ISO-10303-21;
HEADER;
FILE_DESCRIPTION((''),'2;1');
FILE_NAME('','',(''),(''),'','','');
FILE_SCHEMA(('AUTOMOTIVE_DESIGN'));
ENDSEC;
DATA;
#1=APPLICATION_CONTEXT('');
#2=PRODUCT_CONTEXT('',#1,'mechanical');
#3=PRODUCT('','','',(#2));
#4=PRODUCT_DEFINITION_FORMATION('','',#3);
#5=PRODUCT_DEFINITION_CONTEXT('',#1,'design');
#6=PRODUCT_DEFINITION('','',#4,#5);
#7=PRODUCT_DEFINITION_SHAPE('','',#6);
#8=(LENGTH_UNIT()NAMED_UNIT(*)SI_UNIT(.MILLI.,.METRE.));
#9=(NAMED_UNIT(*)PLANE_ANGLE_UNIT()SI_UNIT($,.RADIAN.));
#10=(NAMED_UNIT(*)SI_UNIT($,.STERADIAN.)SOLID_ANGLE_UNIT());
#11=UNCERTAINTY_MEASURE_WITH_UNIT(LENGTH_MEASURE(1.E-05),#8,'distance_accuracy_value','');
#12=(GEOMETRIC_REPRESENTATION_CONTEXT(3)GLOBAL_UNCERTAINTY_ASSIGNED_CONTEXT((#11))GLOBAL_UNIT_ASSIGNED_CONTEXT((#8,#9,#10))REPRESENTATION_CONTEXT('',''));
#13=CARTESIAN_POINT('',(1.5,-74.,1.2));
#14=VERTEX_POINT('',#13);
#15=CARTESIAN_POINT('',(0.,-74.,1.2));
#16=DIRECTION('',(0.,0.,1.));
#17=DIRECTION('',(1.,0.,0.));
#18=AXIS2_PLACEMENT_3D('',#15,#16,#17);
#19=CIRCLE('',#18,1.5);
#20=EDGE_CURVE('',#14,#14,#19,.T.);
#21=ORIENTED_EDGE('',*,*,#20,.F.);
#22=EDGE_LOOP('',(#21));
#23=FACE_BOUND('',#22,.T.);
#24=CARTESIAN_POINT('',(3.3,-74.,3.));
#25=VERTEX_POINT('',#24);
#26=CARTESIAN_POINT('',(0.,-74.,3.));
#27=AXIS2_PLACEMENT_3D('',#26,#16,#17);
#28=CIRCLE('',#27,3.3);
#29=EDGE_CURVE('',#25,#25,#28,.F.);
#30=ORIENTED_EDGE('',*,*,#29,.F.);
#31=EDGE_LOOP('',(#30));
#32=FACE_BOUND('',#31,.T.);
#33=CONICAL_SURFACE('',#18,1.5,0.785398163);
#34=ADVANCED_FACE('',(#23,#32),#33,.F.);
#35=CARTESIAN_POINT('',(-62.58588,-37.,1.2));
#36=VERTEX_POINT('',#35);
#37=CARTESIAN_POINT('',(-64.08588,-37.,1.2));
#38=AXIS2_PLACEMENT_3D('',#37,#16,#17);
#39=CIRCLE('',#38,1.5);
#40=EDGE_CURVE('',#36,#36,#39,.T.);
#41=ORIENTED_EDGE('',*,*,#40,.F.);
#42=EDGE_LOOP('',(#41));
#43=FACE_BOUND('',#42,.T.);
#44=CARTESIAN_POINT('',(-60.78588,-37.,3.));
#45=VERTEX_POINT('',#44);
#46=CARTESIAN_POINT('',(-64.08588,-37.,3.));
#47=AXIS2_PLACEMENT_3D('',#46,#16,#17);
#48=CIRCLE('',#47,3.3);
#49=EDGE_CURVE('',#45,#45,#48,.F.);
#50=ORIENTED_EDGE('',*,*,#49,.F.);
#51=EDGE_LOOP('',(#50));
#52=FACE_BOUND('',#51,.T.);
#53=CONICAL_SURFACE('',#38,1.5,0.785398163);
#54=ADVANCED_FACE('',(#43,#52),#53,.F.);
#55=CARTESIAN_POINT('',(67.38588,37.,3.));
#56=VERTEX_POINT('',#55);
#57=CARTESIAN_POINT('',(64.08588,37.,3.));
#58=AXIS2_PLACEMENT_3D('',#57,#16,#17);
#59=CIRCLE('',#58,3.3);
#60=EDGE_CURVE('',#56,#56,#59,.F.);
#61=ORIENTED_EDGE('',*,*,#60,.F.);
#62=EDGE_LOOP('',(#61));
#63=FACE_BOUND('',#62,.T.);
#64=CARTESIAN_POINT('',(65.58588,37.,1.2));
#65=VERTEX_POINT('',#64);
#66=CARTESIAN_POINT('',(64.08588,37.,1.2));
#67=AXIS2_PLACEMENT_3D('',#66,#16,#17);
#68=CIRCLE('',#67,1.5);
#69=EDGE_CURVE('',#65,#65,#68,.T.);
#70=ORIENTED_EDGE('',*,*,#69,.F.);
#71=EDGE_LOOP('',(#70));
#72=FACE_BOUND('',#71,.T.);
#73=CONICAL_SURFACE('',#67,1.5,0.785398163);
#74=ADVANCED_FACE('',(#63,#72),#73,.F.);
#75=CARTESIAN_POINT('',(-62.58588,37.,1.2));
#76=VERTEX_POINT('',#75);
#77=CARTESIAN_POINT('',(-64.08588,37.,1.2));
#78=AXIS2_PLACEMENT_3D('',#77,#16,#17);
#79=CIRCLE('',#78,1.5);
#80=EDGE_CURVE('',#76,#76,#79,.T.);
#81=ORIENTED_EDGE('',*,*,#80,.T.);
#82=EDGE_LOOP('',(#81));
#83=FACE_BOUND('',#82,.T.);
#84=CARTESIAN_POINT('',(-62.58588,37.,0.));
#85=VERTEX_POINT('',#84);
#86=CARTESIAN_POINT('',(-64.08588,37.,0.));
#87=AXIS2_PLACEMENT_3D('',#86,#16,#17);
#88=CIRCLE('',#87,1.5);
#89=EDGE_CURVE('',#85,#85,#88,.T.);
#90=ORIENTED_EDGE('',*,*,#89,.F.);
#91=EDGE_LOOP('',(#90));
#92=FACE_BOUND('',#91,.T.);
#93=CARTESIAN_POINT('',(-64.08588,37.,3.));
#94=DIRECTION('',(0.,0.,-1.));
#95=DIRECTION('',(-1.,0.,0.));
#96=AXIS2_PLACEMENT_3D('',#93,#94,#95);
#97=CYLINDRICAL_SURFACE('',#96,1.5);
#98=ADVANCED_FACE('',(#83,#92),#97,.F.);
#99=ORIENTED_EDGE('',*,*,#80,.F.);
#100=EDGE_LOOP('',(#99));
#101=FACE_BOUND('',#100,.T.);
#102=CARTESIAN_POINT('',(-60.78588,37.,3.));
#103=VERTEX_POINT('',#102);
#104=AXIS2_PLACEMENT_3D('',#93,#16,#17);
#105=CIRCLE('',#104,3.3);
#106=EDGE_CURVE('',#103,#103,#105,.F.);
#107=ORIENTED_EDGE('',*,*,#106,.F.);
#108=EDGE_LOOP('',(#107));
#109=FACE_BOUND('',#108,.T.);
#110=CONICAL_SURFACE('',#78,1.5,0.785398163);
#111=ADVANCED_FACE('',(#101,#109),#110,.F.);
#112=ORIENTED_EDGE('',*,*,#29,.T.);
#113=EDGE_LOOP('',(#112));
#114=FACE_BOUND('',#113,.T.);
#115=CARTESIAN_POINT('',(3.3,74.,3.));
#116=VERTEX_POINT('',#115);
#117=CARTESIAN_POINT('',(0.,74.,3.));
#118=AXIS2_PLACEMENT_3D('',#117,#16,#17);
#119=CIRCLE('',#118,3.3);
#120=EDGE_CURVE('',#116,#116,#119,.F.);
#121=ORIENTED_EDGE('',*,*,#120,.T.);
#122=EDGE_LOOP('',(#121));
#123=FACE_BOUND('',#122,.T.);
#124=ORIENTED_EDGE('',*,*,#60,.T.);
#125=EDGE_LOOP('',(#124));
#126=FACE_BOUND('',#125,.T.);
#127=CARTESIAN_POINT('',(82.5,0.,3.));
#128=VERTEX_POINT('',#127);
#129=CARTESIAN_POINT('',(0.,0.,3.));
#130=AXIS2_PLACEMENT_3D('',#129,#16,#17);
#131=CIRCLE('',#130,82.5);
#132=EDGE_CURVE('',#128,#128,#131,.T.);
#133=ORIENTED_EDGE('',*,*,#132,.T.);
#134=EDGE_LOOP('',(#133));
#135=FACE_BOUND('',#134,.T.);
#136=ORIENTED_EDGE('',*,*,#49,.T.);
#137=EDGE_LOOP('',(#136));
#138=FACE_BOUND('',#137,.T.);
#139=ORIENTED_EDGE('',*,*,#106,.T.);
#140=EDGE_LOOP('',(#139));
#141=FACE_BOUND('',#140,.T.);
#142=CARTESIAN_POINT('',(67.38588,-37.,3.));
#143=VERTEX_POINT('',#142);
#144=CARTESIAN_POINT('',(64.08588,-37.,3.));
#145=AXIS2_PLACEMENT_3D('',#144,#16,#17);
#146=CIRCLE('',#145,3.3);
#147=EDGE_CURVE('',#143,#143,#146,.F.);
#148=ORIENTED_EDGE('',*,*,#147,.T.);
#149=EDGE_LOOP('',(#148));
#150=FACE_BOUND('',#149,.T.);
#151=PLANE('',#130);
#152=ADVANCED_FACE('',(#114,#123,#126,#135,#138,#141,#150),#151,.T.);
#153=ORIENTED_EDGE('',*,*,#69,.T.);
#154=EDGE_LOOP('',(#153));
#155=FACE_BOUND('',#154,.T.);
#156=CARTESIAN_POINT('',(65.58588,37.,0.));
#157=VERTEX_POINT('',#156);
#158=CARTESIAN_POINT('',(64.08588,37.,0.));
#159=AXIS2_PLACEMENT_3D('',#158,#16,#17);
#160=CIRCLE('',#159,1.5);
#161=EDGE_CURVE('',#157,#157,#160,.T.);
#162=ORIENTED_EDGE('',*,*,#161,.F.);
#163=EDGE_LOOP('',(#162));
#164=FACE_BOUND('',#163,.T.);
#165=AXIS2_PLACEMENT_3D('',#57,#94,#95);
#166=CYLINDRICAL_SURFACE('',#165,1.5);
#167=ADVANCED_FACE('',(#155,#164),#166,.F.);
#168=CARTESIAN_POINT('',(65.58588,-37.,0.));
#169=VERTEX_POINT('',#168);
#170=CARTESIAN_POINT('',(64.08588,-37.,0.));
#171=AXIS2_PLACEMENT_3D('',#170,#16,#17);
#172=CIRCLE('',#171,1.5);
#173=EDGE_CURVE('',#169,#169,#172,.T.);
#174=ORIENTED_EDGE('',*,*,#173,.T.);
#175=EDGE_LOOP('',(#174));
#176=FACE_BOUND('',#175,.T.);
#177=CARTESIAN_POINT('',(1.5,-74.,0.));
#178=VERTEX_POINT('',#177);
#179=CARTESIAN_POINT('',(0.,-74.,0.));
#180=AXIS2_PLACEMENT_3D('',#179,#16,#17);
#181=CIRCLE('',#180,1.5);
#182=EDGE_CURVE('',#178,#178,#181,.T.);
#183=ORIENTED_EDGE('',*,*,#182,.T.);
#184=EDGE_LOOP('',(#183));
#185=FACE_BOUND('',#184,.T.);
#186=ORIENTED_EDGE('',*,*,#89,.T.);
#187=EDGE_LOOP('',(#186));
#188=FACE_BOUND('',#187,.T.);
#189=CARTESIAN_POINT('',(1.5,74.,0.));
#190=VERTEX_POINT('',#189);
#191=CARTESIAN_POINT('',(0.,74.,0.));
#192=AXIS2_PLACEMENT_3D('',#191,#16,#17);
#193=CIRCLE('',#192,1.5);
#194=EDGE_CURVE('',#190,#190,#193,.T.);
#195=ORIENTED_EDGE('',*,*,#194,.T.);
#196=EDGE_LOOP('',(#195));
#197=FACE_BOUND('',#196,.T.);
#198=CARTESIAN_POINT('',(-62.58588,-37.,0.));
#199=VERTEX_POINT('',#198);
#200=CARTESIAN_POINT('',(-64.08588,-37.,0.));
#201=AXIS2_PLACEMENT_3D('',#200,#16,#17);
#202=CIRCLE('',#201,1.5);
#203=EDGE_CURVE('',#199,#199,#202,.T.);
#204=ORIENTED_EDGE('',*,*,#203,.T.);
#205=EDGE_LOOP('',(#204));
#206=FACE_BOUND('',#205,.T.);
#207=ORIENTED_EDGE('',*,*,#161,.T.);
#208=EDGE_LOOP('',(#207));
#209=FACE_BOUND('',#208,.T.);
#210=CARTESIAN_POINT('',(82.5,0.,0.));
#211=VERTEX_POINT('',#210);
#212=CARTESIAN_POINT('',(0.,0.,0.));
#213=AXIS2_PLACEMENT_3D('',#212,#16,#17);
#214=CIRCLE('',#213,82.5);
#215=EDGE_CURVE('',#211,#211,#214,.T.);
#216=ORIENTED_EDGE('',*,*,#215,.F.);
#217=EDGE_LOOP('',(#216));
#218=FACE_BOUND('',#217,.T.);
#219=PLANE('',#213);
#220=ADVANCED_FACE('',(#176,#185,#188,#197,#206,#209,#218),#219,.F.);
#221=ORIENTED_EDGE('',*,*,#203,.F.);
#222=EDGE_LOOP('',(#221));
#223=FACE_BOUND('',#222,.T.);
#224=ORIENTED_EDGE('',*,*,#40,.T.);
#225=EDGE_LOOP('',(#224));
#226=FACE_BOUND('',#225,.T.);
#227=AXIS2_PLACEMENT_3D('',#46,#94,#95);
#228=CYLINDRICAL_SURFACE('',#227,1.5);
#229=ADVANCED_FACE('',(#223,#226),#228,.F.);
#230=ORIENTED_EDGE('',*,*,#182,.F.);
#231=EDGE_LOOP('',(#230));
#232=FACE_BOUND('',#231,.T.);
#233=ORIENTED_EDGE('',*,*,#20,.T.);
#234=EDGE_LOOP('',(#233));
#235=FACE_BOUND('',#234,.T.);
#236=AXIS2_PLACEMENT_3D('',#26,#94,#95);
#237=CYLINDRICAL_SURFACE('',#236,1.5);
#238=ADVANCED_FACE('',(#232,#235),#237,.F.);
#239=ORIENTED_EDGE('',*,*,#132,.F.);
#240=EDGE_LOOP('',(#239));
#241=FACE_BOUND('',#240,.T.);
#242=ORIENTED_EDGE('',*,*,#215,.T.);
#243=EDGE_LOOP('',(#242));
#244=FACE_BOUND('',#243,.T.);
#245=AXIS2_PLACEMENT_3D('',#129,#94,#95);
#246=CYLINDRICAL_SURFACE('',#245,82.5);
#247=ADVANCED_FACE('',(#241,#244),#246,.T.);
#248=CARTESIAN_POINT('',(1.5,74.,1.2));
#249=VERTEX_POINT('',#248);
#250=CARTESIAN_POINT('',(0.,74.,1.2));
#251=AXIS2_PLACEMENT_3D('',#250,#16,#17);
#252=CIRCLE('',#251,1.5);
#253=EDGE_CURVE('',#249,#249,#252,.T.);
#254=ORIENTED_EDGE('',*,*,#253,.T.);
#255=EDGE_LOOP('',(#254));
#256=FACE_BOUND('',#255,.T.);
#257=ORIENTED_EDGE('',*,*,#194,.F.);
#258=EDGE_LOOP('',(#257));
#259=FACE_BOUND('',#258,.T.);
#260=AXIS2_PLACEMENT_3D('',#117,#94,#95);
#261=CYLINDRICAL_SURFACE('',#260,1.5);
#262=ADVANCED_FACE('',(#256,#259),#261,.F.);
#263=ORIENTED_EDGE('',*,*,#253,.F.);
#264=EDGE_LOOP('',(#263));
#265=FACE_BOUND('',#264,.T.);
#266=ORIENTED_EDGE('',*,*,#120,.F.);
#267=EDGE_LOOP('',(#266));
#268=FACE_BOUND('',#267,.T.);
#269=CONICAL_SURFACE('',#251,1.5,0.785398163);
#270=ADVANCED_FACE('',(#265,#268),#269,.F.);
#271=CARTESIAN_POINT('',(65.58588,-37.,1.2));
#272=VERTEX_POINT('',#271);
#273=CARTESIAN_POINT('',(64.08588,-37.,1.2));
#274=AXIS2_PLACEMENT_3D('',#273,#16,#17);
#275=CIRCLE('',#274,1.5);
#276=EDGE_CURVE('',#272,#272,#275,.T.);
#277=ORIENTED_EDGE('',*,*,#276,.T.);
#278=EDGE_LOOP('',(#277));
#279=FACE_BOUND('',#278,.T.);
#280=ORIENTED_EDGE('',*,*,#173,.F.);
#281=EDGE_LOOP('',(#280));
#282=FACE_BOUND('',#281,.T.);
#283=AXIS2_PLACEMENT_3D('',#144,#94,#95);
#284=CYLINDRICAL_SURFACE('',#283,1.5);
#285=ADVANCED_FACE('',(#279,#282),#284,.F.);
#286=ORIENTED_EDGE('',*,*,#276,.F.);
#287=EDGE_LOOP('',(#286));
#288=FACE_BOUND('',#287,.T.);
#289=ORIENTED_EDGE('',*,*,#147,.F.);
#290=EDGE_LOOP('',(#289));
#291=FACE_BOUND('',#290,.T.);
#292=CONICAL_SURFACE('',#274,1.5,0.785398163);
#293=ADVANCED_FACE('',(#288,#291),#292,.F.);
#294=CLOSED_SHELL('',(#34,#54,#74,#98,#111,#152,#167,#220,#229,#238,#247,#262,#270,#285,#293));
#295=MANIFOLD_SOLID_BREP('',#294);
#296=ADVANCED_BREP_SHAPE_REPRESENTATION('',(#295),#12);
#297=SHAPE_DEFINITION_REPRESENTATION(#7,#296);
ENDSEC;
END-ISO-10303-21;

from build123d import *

# Parameters (mm, degrees)
SKETCH1_R           = 82.5
SKETCH1_R_2         = 1.5
BOSS_EXTRUDE1_DEPTH = 3
CHAMFER1_SIZE       = 1.8


with BuildPart() as part:
    # Sketch1 → Boss-Extrude1 (new body)
    with BuildSketch(Plane.XY):
        Circle(SKETCH1_R)
        with Locations((0, 74)):
            Circle(SKETCH1_R_2, mode=Mode.SUBTRACT)
        with Locations((0, -74)):
            Circle(SKETCH1_R_2, mode=Mode.SUBTRACT)
        with Locations((64.08587988, 37)):
            Circle(SKETCH1_R_2, mode=Mode.SUBTRACT)
        with Locations((64.08587988, -37)):
            Circle(SKETCH1_R_2, mode=Mode.SUBTRACT)
        with Locations((-64.08587988, -37)):
            Circle(SKETCH1_R_2, mode=Mode.SUBTRACT)
        with Locations((-64.08587988, 37)):
            Circle(SKETCH1_R_2, mode=Mode.SUBTRACT)
    extrude(amount=BOSS_EXTRUDE1_DEPTH)

    # Chamfer1
    chamfer1_edges = [part.edges().sort_by_distance(p)[0] for p in [
        (62.58587988, 37, 3),
        (62.58587988, -37, 3),
        (-65.58587988, -37, 3),
        (-65.58587988, 37, 3),
        (-1.5, 74, 3),
        (-1.5, -74, 3),
    ]]
    chamfer(chamfer1_edges, length=CHAMFER1_SIZE)


solid = part.part
